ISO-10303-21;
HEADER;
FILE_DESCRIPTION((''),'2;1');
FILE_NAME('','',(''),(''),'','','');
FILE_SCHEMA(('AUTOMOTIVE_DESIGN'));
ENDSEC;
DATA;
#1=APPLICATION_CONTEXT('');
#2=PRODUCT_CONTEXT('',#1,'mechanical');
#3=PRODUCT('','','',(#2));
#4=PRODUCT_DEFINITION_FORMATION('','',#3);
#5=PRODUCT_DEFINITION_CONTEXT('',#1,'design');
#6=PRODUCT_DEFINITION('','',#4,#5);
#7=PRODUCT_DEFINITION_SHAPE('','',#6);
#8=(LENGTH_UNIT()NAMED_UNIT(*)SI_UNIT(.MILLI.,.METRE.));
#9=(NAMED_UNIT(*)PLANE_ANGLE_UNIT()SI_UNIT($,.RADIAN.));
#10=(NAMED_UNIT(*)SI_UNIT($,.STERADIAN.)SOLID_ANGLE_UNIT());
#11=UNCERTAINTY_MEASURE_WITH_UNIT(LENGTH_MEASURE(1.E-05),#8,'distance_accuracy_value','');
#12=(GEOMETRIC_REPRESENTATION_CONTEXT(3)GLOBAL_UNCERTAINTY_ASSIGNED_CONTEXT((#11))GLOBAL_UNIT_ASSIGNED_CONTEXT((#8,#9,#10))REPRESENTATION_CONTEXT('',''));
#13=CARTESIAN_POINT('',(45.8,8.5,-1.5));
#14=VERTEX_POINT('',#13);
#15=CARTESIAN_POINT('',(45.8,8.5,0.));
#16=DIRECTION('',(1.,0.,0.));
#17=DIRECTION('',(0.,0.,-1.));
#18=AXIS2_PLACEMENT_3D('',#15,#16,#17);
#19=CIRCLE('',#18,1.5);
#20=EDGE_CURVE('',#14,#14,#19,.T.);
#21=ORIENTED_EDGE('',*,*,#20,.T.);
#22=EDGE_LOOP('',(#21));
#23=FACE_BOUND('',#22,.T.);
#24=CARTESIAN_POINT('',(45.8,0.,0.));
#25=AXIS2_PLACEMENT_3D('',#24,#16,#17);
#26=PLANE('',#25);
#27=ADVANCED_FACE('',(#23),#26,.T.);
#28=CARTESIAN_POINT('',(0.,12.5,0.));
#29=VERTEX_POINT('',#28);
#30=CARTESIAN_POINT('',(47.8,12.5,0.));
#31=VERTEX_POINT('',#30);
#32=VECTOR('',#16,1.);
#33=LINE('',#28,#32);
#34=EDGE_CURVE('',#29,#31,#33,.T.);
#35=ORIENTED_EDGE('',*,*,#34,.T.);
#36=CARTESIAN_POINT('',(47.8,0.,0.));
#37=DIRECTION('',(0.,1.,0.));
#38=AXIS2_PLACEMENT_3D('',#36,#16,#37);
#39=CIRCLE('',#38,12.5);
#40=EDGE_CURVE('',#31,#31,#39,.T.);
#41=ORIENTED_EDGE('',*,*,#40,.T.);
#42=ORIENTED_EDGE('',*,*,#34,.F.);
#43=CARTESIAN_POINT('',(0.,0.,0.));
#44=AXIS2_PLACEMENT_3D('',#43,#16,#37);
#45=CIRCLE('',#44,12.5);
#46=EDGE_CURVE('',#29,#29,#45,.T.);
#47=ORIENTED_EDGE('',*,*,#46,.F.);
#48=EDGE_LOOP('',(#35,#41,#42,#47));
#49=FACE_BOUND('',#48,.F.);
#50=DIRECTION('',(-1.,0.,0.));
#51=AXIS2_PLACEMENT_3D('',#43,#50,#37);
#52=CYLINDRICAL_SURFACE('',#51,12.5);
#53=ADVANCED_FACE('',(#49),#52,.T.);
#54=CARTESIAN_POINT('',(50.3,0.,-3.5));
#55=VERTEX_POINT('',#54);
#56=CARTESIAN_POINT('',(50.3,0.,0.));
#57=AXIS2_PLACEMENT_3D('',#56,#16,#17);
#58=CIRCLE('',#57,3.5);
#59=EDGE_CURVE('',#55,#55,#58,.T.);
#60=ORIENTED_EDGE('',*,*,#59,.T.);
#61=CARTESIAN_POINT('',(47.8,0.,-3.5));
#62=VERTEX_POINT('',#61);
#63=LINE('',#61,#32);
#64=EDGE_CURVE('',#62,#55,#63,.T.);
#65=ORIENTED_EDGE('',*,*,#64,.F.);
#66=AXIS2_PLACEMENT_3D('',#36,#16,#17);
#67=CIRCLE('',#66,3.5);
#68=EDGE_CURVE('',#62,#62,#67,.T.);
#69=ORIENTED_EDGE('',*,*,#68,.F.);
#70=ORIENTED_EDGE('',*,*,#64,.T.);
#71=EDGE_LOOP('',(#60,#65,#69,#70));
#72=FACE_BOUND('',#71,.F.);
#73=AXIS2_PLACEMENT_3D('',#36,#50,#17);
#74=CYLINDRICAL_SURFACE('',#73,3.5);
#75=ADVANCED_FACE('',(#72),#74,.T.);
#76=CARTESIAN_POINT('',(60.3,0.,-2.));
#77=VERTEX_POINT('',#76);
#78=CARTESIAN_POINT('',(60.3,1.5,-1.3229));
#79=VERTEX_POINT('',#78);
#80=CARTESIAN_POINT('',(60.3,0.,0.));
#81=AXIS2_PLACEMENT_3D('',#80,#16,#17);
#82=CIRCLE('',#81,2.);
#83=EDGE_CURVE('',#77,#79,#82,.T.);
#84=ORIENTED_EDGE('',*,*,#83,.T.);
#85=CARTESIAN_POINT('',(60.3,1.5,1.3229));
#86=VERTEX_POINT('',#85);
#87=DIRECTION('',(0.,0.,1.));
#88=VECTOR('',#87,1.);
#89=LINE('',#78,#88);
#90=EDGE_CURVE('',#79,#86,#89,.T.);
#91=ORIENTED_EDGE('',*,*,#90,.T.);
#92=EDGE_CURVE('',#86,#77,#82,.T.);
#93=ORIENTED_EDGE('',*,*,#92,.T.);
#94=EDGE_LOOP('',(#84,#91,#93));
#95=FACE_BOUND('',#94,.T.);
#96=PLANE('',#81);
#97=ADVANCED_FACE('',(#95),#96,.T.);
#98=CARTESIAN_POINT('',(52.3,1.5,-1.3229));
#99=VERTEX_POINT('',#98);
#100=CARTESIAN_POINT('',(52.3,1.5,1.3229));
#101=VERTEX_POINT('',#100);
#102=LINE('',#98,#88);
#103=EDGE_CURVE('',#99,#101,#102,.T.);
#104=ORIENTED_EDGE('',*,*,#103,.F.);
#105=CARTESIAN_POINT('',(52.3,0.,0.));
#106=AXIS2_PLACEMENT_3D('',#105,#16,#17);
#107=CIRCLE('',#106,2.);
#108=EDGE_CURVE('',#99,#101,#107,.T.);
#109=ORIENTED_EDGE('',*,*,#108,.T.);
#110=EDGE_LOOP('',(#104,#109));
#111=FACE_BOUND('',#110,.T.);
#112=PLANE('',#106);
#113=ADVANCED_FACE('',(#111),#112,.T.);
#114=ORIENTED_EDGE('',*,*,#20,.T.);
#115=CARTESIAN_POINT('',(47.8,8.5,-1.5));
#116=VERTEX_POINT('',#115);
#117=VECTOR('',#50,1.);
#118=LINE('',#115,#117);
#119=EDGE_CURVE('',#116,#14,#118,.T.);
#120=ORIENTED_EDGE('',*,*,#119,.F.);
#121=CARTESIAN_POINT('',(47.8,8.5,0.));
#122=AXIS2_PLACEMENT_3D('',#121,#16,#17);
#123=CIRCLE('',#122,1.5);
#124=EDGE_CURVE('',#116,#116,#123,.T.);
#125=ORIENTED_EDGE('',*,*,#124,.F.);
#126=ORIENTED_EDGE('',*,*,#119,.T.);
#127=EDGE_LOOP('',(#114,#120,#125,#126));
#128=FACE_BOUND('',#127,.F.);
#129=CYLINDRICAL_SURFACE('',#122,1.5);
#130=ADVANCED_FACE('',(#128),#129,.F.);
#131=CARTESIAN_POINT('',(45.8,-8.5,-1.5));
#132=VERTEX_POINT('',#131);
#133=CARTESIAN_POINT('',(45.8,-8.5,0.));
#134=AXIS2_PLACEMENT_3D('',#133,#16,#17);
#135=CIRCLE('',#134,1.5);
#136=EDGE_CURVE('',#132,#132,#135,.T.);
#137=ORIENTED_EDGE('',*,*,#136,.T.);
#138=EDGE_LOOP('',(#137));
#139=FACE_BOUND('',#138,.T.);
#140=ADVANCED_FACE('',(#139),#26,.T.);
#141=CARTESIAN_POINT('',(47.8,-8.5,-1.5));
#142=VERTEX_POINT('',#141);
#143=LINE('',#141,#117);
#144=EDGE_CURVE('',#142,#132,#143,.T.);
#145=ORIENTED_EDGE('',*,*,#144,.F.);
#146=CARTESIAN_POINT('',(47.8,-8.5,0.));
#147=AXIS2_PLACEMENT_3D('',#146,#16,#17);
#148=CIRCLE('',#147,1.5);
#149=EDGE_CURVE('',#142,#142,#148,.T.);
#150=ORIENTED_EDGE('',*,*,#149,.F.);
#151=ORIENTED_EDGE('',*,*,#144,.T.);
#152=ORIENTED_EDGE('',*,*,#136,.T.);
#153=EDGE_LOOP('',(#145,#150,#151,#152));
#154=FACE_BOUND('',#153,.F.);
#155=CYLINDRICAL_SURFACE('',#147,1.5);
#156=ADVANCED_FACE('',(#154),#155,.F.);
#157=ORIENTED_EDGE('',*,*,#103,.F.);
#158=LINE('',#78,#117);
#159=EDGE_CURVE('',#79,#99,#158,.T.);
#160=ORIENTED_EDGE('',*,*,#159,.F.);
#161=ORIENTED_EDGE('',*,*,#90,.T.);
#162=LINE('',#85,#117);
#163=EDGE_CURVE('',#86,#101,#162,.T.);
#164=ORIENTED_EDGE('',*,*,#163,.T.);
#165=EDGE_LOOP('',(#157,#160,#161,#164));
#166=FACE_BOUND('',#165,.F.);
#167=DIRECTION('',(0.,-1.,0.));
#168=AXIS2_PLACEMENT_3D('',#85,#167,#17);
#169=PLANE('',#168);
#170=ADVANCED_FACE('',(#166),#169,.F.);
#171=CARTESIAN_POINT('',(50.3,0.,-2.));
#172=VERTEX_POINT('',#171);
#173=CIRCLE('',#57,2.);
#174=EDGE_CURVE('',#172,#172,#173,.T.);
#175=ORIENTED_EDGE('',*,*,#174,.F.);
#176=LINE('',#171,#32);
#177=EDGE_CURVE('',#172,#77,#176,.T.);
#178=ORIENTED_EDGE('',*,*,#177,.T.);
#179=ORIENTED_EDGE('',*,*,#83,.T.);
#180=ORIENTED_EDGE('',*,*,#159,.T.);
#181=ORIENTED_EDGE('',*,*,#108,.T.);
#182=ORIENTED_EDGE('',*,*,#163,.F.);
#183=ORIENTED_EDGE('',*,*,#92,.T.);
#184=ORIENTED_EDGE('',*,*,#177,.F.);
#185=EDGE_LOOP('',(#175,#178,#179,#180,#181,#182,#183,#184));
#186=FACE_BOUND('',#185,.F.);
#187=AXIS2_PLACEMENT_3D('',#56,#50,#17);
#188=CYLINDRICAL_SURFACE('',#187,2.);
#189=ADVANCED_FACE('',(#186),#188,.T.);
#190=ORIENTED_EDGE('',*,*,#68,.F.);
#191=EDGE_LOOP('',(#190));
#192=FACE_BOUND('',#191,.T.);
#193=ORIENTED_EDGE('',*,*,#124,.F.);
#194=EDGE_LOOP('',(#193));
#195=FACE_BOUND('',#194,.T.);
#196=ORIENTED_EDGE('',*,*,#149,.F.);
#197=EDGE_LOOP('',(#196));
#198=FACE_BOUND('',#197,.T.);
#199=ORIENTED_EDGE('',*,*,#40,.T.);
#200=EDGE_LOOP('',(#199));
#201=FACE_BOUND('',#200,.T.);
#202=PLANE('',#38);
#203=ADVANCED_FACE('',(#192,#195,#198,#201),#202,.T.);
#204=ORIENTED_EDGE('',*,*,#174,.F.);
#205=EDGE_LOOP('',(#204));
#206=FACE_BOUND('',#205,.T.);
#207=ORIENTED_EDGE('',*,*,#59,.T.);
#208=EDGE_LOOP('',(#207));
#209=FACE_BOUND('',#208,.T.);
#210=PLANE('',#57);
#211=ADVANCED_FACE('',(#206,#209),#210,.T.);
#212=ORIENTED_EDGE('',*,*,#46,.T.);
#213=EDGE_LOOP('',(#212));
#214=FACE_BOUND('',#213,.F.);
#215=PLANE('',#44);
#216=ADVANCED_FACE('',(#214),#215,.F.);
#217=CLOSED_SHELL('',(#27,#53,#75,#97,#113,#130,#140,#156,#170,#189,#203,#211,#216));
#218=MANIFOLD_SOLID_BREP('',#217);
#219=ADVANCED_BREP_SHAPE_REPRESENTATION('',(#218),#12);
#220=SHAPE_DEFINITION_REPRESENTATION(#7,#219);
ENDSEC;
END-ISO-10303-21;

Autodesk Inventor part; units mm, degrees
ref_plane "YZ Plane" through (0, 0, 0) normal (1, 0, 0) x (0, 1, 0)
ref_plane "XZ Plane" through (0, 0, 0) normal (0, 1, 0) x (-1, 0, 0)
ref_plane "XY Plane" through (0, 0, 0) normal (0, 0, 1) x (1, 0, 0)
sketch "Sketch1" plane through (0, 0, 0) normal (1, 0, 0) x (0, 1, 0)
  circle A0 centre (0, 0) radius 12.5
  dimension "d0" = 25
extrude "Extrusion1" add sketch "Sketch1" along normal blind 47.8
sketch "Sketch2" plane through (47.8, 0, 0) normal (1, 0, 0) x (0, 0, -1)
  circle A0 centre (0, -8.5) radius 1.5
  circle A1 centre (0, 8.5) radius 1.5
  circle A2 centre (0, 0) radius 3.5
  dimension "d4" = 3
  dimension "d5" = 7
extrude "Extrusion2" add sketch "Sketch2" along normal blind 2.5 contours A2
extrude "Extrusion3" cut sketch "Sketch2" against normal blind 2 contours A0 | A1
sketch "Sketch3" plane through (50.3, 0, 0) normal (1, 0, 0) x (0, 0, -1)
  circle A0 centre (0, 0) radius 2
  dimension "d10" = 4
extrude "Extrusion4" add sketch "Sketch3" along normal blind 10
sketch "Sketch4" plane through (60.3, 0, 0) normal (1, 0, 0) x (0, 0, -1)
  circle A0 centre (0, 0) radius 2 projected
  line L0 (0, -2) -> (0, 1.5)
  line L1 (0, 1.5) -> (1.3229, 1.5)
  line L2 (-1.3229, 1.5) -> (0, 1.5)
  arc A1 (1.3229, 1.5) -> (-1.3229, 1.5) centre (0, 0) ccw
  dimension "d13" = 3.5
extrude "Extrusion5" cut sketch "Sketch4" against normal blind 8 contours L1 L2 A0
properties part number "small motor"
